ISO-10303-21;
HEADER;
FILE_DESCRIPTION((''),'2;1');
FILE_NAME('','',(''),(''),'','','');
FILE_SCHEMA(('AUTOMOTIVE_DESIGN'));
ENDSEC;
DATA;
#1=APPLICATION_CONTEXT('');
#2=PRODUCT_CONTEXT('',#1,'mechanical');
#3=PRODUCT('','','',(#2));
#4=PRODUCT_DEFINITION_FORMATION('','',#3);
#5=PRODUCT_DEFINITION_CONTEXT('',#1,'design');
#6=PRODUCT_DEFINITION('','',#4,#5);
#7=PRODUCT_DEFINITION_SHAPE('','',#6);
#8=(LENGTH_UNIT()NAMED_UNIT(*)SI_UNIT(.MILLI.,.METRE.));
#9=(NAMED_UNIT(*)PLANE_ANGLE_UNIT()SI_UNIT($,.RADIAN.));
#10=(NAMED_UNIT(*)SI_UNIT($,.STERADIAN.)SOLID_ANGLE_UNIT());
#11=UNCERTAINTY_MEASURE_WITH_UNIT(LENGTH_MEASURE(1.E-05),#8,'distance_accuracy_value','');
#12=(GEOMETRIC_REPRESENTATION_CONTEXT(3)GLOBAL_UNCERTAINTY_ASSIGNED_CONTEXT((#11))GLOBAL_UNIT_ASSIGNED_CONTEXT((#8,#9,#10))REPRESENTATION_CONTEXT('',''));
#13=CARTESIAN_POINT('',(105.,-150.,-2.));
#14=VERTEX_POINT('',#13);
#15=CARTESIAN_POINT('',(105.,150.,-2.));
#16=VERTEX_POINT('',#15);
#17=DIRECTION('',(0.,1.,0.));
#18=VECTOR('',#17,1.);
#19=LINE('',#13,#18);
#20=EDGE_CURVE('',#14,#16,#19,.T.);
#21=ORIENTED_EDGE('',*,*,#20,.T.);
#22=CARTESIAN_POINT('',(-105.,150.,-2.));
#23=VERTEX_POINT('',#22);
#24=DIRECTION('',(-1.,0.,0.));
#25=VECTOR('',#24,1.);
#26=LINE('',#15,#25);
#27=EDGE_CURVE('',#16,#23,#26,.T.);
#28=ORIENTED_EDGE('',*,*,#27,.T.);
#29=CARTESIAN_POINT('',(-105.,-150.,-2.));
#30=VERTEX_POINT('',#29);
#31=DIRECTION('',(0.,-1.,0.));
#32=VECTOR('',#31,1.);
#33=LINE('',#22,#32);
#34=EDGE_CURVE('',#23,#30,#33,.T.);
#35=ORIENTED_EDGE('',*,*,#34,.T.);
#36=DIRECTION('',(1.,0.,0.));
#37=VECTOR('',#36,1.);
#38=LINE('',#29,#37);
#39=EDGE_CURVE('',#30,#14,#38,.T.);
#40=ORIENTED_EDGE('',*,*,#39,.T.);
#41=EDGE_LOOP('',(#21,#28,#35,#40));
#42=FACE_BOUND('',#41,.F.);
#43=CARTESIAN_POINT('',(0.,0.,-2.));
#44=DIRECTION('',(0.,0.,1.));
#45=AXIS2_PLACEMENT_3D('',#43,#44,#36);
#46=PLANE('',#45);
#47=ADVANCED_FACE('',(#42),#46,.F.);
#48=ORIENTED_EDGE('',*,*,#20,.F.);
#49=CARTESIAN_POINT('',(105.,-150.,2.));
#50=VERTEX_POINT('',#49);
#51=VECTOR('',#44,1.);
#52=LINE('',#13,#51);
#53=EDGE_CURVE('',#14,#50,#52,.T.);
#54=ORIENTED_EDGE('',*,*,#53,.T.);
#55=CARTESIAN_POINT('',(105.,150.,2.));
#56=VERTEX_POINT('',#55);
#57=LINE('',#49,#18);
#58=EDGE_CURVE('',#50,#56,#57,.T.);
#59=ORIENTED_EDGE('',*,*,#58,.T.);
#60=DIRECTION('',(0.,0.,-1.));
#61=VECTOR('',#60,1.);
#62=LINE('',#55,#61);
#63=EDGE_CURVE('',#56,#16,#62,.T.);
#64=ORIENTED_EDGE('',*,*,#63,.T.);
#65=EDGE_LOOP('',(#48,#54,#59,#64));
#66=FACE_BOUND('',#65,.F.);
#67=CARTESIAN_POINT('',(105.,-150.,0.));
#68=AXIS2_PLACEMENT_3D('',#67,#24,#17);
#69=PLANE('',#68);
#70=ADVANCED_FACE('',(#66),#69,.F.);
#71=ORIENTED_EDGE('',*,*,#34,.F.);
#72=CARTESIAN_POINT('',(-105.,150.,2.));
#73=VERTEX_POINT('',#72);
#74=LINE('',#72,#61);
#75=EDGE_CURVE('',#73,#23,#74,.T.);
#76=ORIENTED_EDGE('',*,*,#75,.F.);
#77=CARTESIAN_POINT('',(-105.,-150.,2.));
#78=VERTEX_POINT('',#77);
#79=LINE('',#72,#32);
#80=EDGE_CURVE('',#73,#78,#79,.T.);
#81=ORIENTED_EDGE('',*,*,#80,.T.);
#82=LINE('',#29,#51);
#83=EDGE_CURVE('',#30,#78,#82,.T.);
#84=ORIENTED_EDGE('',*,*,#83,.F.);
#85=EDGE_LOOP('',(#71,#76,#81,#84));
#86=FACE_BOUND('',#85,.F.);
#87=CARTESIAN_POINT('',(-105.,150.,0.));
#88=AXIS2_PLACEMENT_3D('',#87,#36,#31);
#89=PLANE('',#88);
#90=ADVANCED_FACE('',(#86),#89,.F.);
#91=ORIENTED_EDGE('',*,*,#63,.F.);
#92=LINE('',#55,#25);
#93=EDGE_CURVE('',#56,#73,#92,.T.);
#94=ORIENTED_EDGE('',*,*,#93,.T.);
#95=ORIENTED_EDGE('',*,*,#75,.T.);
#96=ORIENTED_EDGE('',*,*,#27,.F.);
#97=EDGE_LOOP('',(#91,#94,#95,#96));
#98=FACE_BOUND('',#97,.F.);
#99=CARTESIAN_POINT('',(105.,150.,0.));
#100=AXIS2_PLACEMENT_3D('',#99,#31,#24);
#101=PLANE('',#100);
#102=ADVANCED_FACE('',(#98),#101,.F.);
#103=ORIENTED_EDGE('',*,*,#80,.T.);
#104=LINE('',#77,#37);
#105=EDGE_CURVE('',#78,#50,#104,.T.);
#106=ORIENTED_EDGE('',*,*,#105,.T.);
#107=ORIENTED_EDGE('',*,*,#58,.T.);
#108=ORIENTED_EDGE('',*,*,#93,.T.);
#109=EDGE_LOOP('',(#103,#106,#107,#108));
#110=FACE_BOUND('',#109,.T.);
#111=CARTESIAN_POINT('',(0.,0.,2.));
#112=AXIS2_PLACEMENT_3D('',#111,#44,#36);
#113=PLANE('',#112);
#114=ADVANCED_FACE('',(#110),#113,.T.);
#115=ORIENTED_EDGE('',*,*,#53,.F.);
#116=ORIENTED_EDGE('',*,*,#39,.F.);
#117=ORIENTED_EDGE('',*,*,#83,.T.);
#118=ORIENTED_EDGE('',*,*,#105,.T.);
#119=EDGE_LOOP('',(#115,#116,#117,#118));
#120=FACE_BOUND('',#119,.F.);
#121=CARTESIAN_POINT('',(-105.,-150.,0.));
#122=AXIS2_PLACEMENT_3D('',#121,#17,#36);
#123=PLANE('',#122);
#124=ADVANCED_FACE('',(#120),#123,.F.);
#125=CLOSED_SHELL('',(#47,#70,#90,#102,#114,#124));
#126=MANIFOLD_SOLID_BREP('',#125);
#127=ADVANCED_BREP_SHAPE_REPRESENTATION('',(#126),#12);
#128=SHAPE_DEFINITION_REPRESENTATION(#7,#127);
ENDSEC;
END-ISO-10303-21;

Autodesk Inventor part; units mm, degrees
ref_plane "YZ Plane" through (0, 0, 0) normal (1, 0, 0) x (0, 1, 0)
ref_plane "XZ Plane" through (0, 0, 0) normal (0, 1, 0) x (-1, 0, 0)
ref_plane "XY Plane" through (0, 0, 0) normal (0, 0, 1) x (1, 0, 0)
sketch "Эскиз1" plane through (0, 0, 0) normal (0, 0, 1) x (1, 0, 0)
  line L0 (-105, -150) -> (105, -150)
  line L1 (105, -150) -> (105, 150)
  line L2 (105, 150) -> (-105, 150)
  line L3 (-105, 150) -> (-105, -150)
  line L4 (-105, -150) -> (105, 150) construction
  line L5 (105, -150) -> (-105, 150) construction
  point P0 (0, 0)
  dimension "d0" = 300
  dimension "d1" = 210
extrude "Выдавливание1" add sketch "Эскиз1" along normal mid plane 4
sketch "Эскиз2" plane through (0, 0, 2) normal (0, 0, 1) x (1, 0, 0)
  circle A0 centre (-95, 172.5) radius 2
  circle A1 centre (-95, 157.5) radius 2
  circle A2 centre (-95, 142.5) radius 2
  circle A3 centre (-95, 127.5) radius 2
  circle A4 centre (-95, 100) radius 2
  circle A5 centre (-95, 60) radius 2
  circle A6 centre (-95, 20) radius 2
  circle A7 centre (-95, -20) radius 2
  circle A8 centre (-95, -50) radius 2
  circle A9 centre (-95, -90) radius 2
  circle A10 centre (-95, -130) radius 2
  circle A11 centre (-95, -170) radius 2
  circle A12 centre (95, -170) radius 2
  circle A13 centre (95, -130) radius 2
  circle A14 centre (95, -90) radius 2
  circle A15 centre (95, -50) radius 2
  circle A16 centre (95, -20) radius 2
  circle A17 centre (95, 20) radius 2
  circle A18 centre (95, 60) radius 2
  circle A19 centre (95, 100) radius 2
  circle A20 centre (95, 127.5) radius 2
  circle A21 centre (95, 142.5) radius 2
  circle A22 centre (95, 157.5) radius 2
  circle A23 centre (95, 172.5) radius 2
  circle A24 centre (-95, 172.5) radius 3.6775
  circle A25 centre (-95, 157.5) radius 3.6775
  circle A26 centre (-95, 142.5) radius 3.6775
  circle A27 centre (-95, 127.5) radius 3.6775
  circle A28 centre (-95, 100) radius 3.6775
  circle A29 centre (-95, 60) radius 3.6775
  circle A30 centre (-95, 20) radius 3.6775
  circle A31 centre (-95, -20) radius 3.6775
  circle A32 centre (-95, -50) radius 3.6775
  circle A33 centre (-95, -90) radius 3.6775
  circle A34 centre (-95, -130) radius 3.6775
  circle A35 centre (-95, -170) radius 3.6775
  circle A36 centre (95, -170) radius 3.6775
  circle A37 centre (95, -130) radius 3.6775
  circle A38 centre (95, -90) radius 3.6775
  circle A39 centre (95, -50) radius 3.6775
  circle A40 centre (95, -20) radius 3.6775
  circle A41 centre (95, 20) radius 3.6775
  circle A42 centre (95, 60) radius 3.6775
  circle A43 centre (95, 100) radius 3.6775
  circle A44 centre (95, 127.5) radius 3.6775
  circle A45 centre (95, 142.5) radius 3.6775
  circle A46 centre (95, 157.5) radius 3.6775
  circle A47 centre (95, 172.5) radius 3.6775
  point P0 (0, 0)
  dimension "d16" = 7.355
extrude "Выдавливание2" [suppressed]
sketch "Эскиз8" plane through (0, 0, 2) normal (0, 0, 1) x (1, 0, 0)
  circle A0 centre (20.984, -61.504) radius 0.9099
  circle A1 centre (21.0274, -78.5002) radius 0.9099
  circle A2 centre (-20.98, -78.5791) radius 0.9099
  circle A3 centre (-21.0095, -61.5642) radius 0.9099
  arc A4 (3.6101, -79.169) -> (3.5899, -75.7917) centre (3.6136, -77.4802) ccw
  line L0 (3.6101, -79.169) -> (-3.6226, -79.169)
  arc A5 (-3.5744, -75.7917) -> (-3.6226, -79.169) centre (-3.5227, -77.4814) ccw
  line L1 (3.5899, -75.7917) -> (-3.5744, -75.7917)
  line L2 (0, 210) -> (0, -210) projected
  line L3 (31.5, -70) -> (-31.5, -70)
  arc A6 (3.5899, -64.2083) -> (5.3022, -62.5018) centre (3.6136, -62.5198) ccw
  arc A7 (-5.2132, -62.4995) -> (-3.5744, -64.2083) centre (-3.5227, -62.5186) ccw
  line L4 (3.5899, -64.2083) -> (-3.5744, -64.2083)
  line L5 (-5.2132, -62.5377) -> (-5.2132, -58.4787)
  line L6 (-5.2132, -58.4787) -> (5.3022, -58.4787)
  line L7 (5.3022, -58.4787) -> (5.3022, -62.5377)
  circle A8 centre (-13, -69.9999) radius 8
  circle A9 centre (13, -69.9999) radius 8
  point P0 (0, 0)
  point P1 (3.6101, -60.831)
  point P2 (-3.6226, -60.831)
  dimension "d12" = 4.059
  dimension "d13" = 10.5154
extrude "Выдавливание5" [suppressed]
properties part number "Передняя_Задняя фанера"
